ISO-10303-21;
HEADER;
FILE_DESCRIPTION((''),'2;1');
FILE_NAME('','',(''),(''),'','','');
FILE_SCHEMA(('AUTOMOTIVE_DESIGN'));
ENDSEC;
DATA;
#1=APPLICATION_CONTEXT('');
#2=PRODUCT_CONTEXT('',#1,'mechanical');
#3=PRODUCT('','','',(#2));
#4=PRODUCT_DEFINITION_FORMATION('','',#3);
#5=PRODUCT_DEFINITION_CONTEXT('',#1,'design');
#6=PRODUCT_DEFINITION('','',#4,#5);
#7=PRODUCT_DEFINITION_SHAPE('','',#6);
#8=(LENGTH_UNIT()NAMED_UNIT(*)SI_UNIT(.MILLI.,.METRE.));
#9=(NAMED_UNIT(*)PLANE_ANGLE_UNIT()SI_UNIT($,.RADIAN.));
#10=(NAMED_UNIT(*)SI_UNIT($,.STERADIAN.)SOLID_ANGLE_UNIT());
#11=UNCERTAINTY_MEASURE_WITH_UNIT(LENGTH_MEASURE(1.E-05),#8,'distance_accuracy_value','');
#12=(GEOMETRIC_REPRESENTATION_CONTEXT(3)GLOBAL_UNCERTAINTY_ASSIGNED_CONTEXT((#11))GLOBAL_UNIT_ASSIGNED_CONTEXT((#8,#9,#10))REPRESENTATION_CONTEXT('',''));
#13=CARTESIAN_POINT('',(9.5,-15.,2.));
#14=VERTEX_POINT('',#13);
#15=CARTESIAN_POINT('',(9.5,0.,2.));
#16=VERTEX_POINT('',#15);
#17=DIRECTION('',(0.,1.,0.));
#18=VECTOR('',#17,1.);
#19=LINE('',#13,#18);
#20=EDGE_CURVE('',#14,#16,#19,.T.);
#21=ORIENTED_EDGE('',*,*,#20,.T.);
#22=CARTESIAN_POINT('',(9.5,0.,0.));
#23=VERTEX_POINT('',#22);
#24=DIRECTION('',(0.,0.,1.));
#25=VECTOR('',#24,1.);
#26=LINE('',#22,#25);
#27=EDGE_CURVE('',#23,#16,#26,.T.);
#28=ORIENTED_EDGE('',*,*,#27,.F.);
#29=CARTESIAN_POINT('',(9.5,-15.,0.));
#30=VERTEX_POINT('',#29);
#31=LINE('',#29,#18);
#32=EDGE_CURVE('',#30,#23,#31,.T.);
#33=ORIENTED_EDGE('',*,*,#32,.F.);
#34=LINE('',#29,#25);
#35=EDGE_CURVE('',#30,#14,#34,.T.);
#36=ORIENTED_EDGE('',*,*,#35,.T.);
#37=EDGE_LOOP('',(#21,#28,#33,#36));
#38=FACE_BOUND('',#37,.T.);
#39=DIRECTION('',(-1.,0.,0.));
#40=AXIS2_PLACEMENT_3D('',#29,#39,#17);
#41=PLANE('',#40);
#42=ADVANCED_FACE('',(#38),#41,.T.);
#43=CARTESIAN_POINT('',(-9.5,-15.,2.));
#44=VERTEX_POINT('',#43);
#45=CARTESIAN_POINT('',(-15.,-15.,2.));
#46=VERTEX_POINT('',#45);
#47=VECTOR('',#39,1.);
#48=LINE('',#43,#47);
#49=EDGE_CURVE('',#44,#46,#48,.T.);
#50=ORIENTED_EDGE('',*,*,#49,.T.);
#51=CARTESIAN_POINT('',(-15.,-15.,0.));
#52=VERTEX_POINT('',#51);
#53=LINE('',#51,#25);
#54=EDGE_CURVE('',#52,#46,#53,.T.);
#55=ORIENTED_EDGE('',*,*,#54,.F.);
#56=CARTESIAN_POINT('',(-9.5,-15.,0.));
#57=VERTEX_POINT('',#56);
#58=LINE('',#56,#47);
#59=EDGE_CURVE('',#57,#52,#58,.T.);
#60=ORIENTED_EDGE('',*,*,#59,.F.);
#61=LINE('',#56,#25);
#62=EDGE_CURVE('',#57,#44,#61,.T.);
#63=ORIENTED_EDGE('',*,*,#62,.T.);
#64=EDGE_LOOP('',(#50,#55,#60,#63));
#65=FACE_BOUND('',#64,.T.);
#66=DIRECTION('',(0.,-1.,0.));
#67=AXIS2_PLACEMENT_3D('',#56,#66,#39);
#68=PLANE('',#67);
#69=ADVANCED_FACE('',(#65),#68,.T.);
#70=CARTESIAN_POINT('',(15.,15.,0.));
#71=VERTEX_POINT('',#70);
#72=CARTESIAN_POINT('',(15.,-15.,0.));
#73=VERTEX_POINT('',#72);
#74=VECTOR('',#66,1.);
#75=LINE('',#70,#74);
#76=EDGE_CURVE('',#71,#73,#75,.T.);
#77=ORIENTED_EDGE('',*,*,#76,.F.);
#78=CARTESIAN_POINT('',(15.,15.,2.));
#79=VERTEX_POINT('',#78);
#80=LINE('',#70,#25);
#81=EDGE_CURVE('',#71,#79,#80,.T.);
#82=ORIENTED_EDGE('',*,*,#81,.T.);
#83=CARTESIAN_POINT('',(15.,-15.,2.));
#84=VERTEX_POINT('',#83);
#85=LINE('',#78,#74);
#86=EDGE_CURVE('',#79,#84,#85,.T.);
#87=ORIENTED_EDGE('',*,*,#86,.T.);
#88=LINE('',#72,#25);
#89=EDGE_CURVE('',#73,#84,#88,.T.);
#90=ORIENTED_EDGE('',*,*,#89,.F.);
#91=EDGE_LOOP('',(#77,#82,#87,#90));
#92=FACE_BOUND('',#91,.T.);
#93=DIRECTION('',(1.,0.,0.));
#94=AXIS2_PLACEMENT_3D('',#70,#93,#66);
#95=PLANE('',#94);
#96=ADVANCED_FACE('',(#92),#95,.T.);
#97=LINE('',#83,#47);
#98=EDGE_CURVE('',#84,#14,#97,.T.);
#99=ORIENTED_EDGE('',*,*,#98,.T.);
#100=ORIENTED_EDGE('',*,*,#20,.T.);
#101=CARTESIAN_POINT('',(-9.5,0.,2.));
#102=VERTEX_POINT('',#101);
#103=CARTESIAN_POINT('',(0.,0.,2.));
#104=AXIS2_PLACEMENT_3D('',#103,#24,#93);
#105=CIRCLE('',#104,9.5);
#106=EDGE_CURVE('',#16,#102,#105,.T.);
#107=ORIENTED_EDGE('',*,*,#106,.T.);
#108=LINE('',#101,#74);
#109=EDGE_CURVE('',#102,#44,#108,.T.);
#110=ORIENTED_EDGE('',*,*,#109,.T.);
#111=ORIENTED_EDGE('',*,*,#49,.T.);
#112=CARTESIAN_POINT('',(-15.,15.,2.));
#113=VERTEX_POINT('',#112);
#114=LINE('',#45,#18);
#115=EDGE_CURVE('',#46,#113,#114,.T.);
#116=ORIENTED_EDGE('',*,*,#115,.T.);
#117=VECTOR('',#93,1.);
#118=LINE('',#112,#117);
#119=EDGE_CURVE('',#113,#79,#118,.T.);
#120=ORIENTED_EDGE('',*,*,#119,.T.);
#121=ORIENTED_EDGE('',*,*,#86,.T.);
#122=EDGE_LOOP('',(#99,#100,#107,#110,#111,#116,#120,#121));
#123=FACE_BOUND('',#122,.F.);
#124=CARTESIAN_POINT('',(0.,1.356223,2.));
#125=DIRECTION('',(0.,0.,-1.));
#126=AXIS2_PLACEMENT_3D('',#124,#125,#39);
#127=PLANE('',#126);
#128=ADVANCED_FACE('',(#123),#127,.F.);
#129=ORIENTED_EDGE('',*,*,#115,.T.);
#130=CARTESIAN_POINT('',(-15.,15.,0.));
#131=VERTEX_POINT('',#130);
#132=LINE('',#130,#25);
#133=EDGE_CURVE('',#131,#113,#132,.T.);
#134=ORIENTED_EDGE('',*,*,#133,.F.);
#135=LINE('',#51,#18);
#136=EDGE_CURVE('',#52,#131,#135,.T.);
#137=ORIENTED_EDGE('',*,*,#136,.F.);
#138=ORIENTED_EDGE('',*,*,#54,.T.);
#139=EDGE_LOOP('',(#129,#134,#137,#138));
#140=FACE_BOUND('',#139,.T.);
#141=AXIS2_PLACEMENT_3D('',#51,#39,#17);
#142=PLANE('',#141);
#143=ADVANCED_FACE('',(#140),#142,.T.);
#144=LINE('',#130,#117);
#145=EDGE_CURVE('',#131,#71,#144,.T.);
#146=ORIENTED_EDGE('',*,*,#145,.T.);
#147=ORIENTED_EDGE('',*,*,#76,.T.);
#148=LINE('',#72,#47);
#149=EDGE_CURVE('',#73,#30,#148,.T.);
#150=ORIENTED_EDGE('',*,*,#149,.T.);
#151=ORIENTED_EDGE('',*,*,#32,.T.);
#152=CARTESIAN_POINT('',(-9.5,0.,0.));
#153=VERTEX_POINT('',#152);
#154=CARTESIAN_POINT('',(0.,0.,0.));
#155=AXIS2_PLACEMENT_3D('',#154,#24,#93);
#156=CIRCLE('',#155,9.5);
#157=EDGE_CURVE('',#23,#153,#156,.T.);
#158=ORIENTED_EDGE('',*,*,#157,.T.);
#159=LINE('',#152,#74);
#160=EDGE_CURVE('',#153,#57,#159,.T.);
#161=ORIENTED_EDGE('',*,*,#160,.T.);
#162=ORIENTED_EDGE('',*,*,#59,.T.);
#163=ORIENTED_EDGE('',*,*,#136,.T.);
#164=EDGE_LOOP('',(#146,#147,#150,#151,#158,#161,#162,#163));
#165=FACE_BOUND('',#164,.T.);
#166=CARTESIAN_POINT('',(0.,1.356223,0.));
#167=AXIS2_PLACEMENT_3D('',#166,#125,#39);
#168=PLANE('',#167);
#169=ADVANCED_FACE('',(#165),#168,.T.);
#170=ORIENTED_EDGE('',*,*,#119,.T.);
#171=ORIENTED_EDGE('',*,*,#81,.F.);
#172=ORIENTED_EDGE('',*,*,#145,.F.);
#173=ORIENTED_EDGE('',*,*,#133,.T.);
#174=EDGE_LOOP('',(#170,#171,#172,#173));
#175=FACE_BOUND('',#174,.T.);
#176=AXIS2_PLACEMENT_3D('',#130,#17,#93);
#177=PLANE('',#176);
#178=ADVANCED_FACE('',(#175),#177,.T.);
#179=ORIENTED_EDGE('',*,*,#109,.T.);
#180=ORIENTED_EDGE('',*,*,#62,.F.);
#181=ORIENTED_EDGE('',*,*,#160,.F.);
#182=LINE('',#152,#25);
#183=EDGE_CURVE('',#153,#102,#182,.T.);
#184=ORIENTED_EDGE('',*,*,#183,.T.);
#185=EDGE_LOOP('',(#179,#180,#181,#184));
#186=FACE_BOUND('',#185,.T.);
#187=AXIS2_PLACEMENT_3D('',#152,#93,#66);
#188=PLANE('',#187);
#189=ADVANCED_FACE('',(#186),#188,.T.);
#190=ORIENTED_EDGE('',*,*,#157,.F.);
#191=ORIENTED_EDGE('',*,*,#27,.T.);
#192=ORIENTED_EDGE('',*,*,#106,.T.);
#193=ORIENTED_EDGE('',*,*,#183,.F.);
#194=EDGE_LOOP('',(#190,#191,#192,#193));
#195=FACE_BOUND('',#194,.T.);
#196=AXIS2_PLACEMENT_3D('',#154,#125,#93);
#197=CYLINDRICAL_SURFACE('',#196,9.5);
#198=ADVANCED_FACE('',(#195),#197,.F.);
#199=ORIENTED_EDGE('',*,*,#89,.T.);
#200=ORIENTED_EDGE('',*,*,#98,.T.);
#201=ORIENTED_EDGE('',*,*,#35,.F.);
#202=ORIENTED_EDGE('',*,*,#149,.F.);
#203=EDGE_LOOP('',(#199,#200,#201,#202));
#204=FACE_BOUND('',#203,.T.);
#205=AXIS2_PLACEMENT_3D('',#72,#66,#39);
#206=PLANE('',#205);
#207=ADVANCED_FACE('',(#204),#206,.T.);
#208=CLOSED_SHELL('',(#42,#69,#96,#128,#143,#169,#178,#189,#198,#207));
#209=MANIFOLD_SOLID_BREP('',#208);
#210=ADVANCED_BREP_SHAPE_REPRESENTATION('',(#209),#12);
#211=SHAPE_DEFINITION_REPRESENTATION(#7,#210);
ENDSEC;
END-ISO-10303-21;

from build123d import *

# Parameters (mm, degrees)
PAD_DEPTH = 2


with BuildPart() as part:
    # Sketch → Pad (new body)
    with BuildSketch(Plane.XY):
        with BuildLine():
            Line((-9.5, 0), (-9.5, -15))
            Line((-9.5, -15), (-15, -15))
            Line((-15, -15), (-15, 15))
            Line((-15, 15), (15, 15))
            Line((15, 15), (15, -15))
            Line((15, -15), (9.5, -15))
            Line((9.5, -15), (9.5, 0))
            ThreePointArc((9.5, 0), (0, 9.5), (-9.5, 0))
        make_face()
    extrude(amount=PAD_DEPTH)


solid = part.part
